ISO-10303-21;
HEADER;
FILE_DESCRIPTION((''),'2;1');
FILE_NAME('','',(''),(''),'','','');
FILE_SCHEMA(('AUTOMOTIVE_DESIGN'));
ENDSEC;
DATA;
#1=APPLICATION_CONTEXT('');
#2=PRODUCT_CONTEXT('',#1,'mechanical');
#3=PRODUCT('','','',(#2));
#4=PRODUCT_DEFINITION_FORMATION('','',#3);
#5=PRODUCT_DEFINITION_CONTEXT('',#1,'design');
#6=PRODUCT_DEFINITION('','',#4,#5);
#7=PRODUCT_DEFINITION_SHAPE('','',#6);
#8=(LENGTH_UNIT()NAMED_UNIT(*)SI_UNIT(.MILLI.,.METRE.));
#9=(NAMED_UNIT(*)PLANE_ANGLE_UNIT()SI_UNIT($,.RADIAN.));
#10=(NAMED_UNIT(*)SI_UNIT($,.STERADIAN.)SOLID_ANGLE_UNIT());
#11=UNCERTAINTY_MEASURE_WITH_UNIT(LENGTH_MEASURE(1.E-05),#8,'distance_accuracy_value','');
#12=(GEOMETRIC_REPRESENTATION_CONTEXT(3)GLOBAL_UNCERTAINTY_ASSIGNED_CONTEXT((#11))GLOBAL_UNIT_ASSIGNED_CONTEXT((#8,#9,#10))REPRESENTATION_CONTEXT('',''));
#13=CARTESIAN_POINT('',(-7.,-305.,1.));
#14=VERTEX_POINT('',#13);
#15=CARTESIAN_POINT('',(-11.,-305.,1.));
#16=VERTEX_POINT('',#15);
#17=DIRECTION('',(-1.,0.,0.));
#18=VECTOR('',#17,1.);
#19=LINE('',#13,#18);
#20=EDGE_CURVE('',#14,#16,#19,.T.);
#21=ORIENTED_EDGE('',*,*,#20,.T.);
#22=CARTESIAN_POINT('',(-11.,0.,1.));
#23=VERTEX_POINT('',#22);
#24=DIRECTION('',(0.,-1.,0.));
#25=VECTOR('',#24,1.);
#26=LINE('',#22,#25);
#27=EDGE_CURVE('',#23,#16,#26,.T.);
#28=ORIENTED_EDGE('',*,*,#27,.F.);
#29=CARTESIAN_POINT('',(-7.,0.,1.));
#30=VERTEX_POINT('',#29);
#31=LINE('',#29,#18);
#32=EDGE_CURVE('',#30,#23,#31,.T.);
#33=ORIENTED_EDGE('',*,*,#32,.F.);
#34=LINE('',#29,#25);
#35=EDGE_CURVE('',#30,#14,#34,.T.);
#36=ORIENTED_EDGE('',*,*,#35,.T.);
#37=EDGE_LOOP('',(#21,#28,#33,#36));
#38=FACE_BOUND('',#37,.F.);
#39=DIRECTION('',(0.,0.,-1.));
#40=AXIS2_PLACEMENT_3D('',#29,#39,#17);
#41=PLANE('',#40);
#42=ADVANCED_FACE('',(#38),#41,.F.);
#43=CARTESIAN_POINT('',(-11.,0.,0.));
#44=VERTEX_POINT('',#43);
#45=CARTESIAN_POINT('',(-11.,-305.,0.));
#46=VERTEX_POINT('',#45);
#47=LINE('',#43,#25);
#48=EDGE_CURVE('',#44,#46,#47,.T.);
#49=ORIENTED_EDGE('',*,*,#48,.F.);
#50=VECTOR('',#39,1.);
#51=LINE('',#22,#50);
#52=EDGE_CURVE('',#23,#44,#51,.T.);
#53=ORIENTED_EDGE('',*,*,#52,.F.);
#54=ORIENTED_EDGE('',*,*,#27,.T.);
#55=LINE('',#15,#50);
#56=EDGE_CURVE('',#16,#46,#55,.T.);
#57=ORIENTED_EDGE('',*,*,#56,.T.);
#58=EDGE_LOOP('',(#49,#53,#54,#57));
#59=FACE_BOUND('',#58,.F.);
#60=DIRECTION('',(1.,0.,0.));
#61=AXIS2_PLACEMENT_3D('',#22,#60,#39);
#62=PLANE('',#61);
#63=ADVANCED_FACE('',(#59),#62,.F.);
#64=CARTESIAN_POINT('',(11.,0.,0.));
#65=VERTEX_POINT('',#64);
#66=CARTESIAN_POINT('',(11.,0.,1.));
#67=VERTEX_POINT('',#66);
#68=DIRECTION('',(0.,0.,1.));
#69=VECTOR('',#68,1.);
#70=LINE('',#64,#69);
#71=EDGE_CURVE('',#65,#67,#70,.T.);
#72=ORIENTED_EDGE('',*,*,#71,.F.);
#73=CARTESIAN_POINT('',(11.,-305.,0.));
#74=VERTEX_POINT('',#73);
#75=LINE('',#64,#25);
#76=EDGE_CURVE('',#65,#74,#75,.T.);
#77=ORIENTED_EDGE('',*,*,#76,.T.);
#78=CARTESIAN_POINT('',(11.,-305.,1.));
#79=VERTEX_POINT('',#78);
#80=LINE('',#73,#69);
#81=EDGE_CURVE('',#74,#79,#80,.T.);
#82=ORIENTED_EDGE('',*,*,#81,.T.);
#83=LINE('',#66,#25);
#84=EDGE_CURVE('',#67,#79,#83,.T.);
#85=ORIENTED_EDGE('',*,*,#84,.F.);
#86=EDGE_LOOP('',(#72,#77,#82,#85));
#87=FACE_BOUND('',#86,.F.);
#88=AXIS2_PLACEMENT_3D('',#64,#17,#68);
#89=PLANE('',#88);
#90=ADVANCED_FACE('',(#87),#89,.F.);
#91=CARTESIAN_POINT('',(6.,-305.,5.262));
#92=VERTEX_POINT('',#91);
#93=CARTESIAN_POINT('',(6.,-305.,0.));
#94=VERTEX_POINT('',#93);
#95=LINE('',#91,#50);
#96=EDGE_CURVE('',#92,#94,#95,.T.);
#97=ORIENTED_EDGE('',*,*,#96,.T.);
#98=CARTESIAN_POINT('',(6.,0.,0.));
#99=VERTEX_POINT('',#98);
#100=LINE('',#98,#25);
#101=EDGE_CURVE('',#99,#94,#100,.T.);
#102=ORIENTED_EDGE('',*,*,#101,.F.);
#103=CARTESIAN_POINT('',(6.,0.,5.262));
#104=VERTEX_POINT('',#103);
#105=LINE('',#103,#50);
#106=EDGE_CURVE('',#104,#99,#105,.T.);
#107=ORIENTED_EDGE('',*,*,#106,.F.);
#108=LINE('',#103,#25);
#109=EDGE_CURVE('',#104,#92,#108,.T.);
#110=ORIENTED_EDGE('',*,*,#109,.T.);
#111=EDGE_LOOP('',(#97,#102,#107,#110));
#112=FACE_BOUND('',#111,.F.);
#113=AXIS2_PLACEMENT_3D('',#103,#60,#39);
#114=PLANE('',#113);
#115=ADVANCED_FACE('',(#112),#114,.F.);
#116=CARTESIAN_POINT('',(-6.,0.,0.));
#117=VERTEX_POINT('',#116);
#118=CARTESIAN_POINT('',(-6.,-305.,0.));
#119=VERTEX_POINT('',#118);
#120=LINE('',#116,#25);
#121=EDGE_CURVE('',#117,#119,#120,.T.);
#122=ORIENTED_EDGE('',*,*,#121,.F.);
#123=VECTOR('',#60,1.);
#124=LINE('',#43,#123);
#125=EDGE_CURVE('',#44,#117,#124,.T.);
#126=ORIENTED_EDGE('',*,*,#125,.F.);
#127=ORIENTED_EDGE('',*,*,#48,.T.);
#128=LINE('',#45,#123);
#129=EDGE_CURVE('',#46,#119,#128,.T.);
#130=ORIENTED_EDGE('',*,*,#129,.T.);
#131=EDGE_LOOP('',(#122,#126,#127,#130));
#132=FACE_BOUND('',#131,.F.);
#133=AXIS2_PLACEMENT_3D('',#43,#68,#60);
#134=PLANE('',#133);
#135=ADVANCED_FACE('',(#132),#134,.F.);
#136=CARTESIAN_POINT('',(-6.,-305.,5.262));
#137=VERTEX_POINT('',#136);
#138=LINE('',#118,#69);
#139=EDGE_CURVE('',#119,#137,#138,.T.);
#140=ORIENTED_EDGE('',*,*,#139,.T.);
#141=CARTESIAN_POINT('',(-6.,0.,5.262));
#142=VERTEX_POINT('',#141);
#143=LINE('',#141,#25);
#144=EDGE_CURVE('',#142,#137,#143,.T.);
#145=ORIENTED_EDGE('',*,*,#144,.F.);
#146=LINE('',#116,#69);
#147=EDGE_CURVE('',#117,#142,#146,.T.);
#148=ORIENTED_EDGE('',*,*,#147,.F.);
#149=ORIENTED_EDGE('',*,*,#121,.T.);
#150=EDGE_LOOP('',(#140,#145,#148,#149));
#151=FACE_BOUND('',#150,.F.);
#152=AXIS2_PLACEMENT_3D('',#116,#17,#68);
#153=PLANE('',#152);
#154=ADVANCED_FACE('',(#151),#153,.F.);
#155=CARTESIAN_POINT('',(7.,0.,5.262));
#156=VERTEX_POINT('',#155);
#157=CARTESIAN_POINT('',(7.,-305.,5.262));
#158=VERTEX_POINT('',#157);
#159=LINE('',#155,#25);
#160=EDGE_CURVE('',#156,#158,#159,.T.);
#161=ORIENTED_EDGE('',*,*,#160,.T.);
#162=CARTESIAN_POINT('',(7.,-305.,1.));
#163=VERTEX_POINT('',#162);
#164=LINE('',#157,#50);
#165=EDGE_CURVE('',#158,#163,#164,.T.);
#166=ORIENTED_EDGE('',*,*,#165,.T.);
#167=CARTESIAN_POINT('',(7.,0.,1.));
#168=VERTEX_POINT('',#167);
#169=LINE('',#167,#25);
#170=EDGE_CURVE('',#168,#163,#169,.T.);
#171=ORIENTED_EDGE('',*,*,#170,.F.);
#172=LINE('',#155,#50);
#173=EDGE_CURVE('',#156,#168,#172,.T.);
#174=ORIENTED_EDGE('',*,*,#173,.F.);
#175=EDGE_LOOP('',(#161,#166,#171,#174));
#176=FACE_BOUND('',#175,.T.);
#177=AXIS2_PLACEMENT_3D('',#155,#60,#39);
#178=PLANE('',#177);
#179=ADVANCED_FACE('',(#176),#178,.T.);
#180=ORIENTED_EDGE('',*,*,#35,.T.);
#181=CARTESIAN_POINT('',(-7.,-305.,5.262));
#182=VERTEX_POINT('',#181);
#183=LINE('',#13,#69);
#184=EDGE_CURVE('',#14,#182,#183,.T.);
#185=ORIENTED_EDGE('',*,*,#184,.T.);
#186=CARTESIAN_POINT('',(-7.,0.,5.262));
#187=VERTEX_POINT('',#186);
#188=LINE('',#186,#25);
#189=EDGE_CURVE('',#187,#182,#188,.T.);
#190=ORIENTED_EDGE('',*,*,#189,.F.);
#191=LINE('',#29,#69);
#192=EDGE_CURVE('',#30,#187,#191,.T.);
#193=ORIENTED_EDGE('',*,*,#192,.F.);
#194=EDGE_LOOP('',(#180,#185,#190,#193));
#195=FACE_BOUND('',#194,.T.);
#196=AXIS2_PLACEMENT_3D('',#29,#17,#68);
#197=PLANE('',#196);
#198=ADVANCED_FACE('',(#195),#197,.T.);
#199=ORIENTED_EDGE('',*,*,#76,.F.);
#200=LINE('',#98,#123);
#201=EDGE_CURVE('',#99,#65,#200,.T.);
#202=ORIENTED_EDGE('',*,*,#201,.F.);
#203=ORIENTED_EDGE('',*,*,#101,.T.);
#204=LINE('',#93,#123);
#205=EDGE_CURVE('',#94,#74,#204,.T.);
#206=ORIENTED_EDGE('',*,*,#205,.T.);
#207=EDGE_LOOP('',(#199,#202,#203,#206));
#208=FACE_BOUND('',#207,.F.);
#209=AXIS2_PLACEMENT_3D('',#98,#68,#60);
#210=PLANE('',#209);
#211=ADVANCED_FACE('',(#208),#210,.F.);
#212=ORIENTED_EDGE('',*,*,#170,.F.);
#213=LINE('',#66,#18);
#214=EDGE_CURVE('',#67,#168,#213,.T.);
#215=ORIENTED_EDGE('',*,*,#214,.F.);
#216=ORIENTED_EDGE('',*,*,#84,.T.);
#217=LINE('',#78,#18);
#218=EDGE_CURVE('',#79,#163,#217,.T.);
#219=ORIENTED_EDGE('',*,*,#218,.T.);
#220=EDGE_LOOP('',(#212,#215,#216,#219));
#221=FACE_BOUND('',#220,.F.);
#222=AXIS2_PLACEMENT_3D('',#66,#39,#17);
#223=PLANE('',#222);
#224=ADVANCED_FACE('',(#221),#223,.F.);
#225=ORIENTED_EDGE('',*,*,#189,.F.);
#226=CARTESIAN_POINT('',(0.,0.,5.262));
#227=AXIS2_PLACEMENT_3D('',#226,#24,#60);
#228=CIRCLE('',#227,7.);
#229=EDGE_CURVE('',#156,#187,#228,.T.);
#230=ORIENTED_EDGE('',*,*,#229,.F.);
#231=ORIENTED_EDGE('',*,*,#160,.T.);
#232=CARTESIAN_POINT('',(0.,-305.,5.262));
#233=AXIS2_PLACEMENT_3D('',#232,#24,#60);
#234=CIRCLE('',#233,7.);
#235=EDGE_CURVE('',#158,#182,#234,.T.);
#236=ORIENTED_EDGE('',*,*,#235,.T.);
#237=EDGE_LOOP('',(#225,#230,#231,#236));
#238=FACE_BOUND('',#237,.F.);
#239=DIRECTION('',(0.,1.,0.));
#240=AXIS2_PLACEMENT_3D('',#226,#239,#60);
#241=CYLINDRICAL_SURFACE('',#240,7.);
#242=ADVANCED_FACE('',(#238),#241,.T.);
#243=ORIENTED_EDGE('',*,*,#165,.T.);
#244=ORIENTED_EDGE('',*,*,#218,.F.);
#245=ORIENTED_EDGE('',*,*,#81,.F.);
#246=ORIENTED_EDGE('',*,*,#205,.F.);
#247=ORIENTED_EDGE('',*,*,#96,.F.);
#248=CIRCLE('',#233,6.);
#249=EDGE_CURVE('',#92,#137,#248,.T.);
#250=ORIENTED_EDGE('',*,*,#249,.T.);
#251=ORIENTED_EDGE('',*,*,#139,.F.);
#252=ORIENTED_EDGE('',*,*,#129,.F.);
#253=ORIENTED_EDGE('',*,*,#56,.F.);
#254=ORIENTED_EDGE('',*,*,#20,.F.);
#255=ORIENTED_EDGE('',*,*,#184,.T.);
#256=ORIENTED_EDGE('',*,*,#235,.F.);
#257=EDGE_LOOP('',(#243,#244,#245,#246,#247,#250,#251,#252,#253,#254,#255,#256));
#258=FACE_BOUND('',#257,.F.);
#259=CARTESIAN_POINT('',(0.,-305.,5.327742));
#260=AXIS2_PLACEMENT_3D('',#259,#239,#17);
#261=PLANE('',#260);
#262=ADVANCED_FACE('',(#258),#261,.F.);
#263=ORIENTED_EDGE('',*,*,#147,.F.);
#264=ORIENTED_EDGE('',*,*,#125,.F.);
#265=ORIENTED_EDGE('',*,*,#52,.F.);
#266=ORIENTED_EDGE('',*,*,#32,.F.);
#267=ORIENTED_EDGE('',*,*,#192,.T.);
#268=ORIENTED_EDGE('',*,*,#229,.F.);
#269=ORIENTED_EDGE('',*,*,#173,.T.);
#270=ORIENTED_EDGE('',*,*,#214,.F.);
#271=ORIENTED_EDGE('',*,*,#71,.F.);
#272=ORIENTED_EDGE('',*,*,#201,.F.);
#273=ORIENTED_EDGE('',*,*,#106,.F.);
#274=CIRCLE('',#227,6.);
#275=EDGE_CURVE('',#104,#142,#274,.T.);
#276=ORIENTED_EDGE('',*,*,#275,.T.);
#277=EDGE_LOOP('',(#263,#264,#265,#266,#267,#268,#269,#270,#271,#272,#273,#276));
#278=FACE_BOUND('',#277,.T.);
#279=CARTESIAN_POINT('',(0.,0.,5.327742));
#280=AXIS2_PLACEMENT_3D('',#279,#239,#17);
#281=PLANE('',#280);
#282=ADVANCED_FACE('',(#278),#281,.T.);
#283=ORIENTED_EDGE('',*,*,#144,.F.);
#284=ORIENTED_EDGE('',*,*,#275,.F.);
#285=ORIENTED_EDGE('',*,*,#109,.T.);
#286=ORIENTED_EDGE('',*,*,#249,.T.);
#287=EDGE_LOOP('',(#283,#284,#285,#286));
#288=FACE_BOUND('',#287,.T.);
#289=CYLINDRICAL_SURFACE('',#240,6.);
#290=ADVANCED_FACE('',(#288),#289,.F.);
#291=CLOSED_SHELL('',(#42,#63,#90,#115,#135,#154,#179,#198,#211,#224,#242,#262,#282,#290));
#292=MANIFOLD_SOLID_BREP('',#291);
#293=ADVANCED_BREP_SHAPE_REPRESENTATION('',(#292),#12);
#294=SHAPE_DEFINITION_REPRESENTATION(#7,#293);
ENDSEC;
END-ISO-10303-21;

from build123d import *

# Parameters (mm, degrees)
PAD_DEPTH = 305


with BuildPart() as part:
    # Sketch → Pad (new body)
    with BuildSketch(Plane.XZ):
        with BuildLine():
            ThreePointArc((6, 5.262), (0, 11.262), (-6, 5.262))
            Line((-6, 0), (-6, 5.262))
            Line((-11, 0), (-6, 0))
            Line((-11, 1), (-11, 0))
            Line((-7, 1), (-11, 1))
            Line((-7, 1), (-7, 5.262))
            ThreePointArc((7, 5.262), (0, 12.262), (-7, 5.262))
            Line((7, 5.262), (7, 1))
            Line((11, 1), (7, 1))
            Line((11, 0), (11, 1))
            Line((6, 0), (11, 0))
            Line((6, 5.262), (6, 0))
        make_face()
    extrude(amount=PAD_DEPTH)


solid = part.part
